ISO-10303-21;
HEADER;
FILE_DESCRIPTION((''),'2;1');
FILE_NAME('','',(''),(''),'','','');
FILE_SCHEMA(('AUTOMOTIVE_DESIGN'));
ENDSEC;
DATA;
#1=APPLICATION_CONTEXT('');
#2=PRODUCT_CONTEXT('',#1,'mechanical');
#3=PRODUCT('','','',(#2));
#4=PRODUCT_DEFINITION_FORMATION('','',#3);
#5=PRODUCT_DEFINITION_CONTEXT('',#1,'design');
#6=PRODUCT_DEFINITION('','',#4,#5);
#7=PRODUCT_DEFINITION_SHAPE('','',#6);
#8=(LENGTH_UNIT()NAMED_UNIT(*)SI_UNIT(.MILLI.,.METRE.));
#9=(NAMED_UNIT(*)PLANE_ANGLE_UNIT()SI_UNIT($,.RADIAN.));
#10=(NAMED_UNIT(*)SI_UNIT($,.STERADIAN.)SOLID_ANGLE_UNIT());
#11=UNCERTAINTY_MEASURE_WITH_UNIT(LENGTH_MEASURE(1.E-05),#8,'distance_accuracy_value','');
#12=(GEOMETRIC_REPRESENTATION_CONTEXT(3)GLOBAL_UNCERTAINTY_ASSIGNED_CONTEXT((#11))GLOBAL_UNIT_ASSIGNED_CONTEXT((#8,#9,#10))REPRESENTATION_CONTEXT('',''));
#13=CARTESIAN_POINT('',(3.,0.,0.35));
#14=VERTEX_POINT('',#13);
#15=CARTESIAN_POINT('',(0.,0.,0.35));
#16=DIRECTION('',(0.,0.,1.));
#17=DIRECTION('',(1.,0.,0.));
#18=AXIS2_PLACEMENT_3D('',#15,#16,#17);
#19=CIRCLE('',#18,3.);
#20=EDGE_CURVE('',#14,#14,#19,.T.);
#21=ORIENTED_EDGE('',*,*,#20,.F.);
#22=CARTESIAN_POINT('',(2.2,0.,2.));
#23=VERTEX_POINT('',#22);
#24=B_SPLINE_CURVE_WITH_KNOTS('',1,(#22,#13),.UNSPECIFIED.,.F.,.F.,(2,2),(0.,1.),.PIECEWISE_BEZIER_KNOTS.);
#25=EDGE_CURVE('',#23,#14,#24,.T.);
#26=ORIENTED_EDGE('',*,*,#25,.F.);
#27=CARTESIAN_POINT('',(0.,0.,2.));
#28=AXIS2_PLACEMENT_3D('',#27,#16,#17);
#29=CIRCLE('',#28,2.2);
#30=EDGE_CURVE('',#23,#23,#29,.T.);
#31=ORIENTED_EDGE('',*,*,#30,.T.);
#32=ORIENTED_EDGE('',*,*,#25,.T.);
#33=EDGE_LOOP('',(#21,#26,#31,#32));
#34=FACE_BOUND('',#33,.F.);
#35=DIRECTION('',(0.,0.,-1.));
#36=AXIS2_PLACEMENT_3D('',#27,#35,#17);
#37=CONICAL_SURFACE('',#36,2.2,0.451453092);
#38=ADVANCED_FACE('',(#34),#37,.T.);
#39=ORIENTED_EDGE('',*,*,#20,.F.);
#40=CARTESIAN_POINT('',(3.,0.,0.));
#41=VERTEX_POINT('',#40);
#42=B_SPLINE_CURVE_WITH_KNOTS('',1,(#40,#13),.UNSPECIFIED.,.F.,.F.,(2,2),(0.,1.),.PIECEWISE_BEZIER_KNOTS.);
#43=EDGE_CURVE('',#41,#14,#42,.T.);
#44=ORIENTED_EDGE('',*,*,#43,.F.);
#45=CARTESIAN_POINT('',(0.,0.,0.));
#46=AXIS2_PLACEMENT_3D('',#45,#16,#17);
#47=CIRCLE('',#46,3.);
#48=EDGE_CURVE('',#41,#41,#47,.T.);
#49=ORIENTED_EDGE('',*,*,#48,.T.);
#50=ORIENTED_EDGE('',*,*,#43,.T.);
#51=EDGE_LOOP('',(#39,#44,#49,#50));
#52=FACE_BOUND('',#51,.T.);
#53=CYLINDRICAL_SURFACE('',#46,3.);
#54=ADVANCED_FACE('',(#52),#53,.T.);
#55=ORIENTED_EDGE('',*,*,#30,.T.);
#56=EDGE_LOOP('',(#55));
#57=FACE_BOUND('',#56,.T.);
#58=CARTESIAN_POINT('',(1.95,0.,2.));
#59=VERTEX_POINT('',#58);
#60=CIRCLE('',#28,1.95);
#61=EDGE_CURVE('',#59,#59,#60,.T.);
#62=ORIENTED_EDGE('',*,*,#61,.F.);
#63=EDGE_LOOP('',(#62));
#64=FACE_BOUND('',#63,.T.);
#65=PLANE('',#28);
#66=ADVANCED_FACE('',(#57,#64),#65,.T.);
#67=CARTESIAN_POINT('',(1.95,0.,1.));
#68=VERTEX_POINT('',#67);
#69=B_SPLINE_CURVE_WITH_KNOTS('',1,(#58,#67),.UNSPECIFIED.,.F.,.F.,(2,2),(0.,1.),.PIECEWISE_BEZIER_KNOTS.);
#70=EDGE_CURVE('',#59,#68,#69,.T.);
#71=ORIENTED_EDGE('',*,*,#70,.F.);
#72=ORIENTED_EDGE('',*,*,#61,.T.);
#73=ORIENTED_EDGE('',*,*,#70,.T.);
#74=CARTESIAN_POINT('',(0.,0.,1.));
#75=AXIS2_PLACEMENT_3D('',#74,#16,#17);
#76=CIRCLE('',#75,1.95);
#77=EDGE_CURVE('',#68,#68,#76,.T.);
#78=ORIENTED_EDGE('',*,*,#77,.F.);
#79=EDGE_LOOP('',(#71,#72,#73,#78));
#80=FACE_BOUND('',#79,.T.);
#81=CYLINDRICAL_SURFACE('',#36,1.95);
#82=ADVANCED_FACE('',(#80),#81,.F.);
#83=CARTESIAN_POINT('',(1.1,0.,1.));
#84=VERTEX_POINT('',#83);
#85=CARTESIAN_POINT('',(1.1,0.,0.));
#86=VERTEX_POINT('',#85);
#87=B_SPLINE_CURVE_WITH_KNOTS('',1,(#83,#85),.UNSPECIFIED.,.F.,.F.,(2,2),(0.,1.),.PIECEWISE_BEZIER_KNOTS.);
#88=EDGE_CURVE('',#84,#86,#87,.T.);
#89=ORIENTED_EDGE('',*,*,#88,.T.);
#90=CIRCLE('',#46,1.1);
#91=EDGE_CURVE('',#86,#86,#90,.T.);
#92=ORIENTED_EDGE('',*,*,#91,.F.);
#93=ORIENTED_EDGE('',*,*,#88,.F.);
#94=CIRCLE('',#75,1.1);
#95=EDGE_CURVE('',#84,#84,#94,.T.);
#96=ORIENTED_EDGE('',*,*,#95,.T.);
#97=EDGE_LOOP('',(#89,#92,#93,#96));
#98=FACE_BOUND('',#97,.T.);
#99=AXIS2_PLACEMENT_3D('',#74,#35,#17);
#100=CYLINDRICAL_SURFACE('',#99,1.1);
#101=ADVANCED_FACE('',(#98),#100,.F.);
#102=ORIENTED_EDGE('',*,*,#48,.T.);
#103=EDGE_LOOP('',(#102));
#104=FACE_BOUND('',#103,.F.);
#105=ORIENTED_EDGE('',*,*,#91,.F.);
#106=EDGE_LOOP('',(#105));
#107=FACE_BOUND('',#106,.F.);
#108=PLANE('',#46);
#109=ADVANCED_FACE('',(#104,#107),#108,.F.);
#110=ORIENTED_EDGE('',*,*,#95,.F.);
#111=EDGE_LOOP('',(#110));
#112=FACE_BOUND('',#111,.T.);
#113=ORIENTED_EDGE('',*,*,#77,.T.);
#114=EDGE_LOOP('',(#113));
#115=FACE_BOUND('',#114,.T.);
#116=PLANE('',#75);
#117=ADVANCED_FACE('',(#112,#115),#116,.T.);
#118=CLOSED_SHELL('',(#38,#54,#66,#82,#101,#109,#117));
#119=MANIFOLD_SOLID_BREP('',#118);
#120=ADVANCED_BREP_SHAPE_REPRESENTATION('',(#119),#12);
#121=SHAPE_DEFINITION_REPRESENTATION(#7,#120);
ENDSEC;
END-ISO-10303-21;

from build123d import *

# Parameters (mm, degrees)
F7_R  = 3
F8_R  = 3
F10_R = 2.2
F9_R  = 1.95
F11_R = 1.95
F13_R = 1.1
F12_R = 1.1


with BuildPart() as f14:
    # F7 (on Top) → F14 section 0
    with BuildSketch(Plane.XY):
        Circle(F7_R)
    # F8 (on offset) → F14 section 1
    with BuildSketch(Plane.XY.offset(0.35)):
        Circle(F8_R)
    loft()

    # F10 (on offset) → F15 section 0
    with BuildSketch(Plane.XY.offset(2)):
        Circle(F10_R)
    # F8 (on offset) → F15 section 1
    with BuildSketch(Plane.XY.offset(0.35)):
        Circle(F8_R)
    loft()

    # F9 (on offset) → F16 section 0
    with BuildSketch(Plane.XY.offset(2)):
        Circle(F9_R)
    # F11 (on offset) → F16 section 1
    with BuildSketch(Plane.XY.offset(1)):
        Circle(F11_R)
    loft(mode=Mode.SUBTRACT)

    # F13 (on offset) → F17 section 0
    with BuildSketch(Plane.XY.offset(1)):
        Circle(F13_R)
    # F12 (on Top) → F17 section 1
    with BuildSketch(Plane.XY):
        Circle(F12_R)
    loft(mode=Mode.SUBTRACT)


solid = f14.part
